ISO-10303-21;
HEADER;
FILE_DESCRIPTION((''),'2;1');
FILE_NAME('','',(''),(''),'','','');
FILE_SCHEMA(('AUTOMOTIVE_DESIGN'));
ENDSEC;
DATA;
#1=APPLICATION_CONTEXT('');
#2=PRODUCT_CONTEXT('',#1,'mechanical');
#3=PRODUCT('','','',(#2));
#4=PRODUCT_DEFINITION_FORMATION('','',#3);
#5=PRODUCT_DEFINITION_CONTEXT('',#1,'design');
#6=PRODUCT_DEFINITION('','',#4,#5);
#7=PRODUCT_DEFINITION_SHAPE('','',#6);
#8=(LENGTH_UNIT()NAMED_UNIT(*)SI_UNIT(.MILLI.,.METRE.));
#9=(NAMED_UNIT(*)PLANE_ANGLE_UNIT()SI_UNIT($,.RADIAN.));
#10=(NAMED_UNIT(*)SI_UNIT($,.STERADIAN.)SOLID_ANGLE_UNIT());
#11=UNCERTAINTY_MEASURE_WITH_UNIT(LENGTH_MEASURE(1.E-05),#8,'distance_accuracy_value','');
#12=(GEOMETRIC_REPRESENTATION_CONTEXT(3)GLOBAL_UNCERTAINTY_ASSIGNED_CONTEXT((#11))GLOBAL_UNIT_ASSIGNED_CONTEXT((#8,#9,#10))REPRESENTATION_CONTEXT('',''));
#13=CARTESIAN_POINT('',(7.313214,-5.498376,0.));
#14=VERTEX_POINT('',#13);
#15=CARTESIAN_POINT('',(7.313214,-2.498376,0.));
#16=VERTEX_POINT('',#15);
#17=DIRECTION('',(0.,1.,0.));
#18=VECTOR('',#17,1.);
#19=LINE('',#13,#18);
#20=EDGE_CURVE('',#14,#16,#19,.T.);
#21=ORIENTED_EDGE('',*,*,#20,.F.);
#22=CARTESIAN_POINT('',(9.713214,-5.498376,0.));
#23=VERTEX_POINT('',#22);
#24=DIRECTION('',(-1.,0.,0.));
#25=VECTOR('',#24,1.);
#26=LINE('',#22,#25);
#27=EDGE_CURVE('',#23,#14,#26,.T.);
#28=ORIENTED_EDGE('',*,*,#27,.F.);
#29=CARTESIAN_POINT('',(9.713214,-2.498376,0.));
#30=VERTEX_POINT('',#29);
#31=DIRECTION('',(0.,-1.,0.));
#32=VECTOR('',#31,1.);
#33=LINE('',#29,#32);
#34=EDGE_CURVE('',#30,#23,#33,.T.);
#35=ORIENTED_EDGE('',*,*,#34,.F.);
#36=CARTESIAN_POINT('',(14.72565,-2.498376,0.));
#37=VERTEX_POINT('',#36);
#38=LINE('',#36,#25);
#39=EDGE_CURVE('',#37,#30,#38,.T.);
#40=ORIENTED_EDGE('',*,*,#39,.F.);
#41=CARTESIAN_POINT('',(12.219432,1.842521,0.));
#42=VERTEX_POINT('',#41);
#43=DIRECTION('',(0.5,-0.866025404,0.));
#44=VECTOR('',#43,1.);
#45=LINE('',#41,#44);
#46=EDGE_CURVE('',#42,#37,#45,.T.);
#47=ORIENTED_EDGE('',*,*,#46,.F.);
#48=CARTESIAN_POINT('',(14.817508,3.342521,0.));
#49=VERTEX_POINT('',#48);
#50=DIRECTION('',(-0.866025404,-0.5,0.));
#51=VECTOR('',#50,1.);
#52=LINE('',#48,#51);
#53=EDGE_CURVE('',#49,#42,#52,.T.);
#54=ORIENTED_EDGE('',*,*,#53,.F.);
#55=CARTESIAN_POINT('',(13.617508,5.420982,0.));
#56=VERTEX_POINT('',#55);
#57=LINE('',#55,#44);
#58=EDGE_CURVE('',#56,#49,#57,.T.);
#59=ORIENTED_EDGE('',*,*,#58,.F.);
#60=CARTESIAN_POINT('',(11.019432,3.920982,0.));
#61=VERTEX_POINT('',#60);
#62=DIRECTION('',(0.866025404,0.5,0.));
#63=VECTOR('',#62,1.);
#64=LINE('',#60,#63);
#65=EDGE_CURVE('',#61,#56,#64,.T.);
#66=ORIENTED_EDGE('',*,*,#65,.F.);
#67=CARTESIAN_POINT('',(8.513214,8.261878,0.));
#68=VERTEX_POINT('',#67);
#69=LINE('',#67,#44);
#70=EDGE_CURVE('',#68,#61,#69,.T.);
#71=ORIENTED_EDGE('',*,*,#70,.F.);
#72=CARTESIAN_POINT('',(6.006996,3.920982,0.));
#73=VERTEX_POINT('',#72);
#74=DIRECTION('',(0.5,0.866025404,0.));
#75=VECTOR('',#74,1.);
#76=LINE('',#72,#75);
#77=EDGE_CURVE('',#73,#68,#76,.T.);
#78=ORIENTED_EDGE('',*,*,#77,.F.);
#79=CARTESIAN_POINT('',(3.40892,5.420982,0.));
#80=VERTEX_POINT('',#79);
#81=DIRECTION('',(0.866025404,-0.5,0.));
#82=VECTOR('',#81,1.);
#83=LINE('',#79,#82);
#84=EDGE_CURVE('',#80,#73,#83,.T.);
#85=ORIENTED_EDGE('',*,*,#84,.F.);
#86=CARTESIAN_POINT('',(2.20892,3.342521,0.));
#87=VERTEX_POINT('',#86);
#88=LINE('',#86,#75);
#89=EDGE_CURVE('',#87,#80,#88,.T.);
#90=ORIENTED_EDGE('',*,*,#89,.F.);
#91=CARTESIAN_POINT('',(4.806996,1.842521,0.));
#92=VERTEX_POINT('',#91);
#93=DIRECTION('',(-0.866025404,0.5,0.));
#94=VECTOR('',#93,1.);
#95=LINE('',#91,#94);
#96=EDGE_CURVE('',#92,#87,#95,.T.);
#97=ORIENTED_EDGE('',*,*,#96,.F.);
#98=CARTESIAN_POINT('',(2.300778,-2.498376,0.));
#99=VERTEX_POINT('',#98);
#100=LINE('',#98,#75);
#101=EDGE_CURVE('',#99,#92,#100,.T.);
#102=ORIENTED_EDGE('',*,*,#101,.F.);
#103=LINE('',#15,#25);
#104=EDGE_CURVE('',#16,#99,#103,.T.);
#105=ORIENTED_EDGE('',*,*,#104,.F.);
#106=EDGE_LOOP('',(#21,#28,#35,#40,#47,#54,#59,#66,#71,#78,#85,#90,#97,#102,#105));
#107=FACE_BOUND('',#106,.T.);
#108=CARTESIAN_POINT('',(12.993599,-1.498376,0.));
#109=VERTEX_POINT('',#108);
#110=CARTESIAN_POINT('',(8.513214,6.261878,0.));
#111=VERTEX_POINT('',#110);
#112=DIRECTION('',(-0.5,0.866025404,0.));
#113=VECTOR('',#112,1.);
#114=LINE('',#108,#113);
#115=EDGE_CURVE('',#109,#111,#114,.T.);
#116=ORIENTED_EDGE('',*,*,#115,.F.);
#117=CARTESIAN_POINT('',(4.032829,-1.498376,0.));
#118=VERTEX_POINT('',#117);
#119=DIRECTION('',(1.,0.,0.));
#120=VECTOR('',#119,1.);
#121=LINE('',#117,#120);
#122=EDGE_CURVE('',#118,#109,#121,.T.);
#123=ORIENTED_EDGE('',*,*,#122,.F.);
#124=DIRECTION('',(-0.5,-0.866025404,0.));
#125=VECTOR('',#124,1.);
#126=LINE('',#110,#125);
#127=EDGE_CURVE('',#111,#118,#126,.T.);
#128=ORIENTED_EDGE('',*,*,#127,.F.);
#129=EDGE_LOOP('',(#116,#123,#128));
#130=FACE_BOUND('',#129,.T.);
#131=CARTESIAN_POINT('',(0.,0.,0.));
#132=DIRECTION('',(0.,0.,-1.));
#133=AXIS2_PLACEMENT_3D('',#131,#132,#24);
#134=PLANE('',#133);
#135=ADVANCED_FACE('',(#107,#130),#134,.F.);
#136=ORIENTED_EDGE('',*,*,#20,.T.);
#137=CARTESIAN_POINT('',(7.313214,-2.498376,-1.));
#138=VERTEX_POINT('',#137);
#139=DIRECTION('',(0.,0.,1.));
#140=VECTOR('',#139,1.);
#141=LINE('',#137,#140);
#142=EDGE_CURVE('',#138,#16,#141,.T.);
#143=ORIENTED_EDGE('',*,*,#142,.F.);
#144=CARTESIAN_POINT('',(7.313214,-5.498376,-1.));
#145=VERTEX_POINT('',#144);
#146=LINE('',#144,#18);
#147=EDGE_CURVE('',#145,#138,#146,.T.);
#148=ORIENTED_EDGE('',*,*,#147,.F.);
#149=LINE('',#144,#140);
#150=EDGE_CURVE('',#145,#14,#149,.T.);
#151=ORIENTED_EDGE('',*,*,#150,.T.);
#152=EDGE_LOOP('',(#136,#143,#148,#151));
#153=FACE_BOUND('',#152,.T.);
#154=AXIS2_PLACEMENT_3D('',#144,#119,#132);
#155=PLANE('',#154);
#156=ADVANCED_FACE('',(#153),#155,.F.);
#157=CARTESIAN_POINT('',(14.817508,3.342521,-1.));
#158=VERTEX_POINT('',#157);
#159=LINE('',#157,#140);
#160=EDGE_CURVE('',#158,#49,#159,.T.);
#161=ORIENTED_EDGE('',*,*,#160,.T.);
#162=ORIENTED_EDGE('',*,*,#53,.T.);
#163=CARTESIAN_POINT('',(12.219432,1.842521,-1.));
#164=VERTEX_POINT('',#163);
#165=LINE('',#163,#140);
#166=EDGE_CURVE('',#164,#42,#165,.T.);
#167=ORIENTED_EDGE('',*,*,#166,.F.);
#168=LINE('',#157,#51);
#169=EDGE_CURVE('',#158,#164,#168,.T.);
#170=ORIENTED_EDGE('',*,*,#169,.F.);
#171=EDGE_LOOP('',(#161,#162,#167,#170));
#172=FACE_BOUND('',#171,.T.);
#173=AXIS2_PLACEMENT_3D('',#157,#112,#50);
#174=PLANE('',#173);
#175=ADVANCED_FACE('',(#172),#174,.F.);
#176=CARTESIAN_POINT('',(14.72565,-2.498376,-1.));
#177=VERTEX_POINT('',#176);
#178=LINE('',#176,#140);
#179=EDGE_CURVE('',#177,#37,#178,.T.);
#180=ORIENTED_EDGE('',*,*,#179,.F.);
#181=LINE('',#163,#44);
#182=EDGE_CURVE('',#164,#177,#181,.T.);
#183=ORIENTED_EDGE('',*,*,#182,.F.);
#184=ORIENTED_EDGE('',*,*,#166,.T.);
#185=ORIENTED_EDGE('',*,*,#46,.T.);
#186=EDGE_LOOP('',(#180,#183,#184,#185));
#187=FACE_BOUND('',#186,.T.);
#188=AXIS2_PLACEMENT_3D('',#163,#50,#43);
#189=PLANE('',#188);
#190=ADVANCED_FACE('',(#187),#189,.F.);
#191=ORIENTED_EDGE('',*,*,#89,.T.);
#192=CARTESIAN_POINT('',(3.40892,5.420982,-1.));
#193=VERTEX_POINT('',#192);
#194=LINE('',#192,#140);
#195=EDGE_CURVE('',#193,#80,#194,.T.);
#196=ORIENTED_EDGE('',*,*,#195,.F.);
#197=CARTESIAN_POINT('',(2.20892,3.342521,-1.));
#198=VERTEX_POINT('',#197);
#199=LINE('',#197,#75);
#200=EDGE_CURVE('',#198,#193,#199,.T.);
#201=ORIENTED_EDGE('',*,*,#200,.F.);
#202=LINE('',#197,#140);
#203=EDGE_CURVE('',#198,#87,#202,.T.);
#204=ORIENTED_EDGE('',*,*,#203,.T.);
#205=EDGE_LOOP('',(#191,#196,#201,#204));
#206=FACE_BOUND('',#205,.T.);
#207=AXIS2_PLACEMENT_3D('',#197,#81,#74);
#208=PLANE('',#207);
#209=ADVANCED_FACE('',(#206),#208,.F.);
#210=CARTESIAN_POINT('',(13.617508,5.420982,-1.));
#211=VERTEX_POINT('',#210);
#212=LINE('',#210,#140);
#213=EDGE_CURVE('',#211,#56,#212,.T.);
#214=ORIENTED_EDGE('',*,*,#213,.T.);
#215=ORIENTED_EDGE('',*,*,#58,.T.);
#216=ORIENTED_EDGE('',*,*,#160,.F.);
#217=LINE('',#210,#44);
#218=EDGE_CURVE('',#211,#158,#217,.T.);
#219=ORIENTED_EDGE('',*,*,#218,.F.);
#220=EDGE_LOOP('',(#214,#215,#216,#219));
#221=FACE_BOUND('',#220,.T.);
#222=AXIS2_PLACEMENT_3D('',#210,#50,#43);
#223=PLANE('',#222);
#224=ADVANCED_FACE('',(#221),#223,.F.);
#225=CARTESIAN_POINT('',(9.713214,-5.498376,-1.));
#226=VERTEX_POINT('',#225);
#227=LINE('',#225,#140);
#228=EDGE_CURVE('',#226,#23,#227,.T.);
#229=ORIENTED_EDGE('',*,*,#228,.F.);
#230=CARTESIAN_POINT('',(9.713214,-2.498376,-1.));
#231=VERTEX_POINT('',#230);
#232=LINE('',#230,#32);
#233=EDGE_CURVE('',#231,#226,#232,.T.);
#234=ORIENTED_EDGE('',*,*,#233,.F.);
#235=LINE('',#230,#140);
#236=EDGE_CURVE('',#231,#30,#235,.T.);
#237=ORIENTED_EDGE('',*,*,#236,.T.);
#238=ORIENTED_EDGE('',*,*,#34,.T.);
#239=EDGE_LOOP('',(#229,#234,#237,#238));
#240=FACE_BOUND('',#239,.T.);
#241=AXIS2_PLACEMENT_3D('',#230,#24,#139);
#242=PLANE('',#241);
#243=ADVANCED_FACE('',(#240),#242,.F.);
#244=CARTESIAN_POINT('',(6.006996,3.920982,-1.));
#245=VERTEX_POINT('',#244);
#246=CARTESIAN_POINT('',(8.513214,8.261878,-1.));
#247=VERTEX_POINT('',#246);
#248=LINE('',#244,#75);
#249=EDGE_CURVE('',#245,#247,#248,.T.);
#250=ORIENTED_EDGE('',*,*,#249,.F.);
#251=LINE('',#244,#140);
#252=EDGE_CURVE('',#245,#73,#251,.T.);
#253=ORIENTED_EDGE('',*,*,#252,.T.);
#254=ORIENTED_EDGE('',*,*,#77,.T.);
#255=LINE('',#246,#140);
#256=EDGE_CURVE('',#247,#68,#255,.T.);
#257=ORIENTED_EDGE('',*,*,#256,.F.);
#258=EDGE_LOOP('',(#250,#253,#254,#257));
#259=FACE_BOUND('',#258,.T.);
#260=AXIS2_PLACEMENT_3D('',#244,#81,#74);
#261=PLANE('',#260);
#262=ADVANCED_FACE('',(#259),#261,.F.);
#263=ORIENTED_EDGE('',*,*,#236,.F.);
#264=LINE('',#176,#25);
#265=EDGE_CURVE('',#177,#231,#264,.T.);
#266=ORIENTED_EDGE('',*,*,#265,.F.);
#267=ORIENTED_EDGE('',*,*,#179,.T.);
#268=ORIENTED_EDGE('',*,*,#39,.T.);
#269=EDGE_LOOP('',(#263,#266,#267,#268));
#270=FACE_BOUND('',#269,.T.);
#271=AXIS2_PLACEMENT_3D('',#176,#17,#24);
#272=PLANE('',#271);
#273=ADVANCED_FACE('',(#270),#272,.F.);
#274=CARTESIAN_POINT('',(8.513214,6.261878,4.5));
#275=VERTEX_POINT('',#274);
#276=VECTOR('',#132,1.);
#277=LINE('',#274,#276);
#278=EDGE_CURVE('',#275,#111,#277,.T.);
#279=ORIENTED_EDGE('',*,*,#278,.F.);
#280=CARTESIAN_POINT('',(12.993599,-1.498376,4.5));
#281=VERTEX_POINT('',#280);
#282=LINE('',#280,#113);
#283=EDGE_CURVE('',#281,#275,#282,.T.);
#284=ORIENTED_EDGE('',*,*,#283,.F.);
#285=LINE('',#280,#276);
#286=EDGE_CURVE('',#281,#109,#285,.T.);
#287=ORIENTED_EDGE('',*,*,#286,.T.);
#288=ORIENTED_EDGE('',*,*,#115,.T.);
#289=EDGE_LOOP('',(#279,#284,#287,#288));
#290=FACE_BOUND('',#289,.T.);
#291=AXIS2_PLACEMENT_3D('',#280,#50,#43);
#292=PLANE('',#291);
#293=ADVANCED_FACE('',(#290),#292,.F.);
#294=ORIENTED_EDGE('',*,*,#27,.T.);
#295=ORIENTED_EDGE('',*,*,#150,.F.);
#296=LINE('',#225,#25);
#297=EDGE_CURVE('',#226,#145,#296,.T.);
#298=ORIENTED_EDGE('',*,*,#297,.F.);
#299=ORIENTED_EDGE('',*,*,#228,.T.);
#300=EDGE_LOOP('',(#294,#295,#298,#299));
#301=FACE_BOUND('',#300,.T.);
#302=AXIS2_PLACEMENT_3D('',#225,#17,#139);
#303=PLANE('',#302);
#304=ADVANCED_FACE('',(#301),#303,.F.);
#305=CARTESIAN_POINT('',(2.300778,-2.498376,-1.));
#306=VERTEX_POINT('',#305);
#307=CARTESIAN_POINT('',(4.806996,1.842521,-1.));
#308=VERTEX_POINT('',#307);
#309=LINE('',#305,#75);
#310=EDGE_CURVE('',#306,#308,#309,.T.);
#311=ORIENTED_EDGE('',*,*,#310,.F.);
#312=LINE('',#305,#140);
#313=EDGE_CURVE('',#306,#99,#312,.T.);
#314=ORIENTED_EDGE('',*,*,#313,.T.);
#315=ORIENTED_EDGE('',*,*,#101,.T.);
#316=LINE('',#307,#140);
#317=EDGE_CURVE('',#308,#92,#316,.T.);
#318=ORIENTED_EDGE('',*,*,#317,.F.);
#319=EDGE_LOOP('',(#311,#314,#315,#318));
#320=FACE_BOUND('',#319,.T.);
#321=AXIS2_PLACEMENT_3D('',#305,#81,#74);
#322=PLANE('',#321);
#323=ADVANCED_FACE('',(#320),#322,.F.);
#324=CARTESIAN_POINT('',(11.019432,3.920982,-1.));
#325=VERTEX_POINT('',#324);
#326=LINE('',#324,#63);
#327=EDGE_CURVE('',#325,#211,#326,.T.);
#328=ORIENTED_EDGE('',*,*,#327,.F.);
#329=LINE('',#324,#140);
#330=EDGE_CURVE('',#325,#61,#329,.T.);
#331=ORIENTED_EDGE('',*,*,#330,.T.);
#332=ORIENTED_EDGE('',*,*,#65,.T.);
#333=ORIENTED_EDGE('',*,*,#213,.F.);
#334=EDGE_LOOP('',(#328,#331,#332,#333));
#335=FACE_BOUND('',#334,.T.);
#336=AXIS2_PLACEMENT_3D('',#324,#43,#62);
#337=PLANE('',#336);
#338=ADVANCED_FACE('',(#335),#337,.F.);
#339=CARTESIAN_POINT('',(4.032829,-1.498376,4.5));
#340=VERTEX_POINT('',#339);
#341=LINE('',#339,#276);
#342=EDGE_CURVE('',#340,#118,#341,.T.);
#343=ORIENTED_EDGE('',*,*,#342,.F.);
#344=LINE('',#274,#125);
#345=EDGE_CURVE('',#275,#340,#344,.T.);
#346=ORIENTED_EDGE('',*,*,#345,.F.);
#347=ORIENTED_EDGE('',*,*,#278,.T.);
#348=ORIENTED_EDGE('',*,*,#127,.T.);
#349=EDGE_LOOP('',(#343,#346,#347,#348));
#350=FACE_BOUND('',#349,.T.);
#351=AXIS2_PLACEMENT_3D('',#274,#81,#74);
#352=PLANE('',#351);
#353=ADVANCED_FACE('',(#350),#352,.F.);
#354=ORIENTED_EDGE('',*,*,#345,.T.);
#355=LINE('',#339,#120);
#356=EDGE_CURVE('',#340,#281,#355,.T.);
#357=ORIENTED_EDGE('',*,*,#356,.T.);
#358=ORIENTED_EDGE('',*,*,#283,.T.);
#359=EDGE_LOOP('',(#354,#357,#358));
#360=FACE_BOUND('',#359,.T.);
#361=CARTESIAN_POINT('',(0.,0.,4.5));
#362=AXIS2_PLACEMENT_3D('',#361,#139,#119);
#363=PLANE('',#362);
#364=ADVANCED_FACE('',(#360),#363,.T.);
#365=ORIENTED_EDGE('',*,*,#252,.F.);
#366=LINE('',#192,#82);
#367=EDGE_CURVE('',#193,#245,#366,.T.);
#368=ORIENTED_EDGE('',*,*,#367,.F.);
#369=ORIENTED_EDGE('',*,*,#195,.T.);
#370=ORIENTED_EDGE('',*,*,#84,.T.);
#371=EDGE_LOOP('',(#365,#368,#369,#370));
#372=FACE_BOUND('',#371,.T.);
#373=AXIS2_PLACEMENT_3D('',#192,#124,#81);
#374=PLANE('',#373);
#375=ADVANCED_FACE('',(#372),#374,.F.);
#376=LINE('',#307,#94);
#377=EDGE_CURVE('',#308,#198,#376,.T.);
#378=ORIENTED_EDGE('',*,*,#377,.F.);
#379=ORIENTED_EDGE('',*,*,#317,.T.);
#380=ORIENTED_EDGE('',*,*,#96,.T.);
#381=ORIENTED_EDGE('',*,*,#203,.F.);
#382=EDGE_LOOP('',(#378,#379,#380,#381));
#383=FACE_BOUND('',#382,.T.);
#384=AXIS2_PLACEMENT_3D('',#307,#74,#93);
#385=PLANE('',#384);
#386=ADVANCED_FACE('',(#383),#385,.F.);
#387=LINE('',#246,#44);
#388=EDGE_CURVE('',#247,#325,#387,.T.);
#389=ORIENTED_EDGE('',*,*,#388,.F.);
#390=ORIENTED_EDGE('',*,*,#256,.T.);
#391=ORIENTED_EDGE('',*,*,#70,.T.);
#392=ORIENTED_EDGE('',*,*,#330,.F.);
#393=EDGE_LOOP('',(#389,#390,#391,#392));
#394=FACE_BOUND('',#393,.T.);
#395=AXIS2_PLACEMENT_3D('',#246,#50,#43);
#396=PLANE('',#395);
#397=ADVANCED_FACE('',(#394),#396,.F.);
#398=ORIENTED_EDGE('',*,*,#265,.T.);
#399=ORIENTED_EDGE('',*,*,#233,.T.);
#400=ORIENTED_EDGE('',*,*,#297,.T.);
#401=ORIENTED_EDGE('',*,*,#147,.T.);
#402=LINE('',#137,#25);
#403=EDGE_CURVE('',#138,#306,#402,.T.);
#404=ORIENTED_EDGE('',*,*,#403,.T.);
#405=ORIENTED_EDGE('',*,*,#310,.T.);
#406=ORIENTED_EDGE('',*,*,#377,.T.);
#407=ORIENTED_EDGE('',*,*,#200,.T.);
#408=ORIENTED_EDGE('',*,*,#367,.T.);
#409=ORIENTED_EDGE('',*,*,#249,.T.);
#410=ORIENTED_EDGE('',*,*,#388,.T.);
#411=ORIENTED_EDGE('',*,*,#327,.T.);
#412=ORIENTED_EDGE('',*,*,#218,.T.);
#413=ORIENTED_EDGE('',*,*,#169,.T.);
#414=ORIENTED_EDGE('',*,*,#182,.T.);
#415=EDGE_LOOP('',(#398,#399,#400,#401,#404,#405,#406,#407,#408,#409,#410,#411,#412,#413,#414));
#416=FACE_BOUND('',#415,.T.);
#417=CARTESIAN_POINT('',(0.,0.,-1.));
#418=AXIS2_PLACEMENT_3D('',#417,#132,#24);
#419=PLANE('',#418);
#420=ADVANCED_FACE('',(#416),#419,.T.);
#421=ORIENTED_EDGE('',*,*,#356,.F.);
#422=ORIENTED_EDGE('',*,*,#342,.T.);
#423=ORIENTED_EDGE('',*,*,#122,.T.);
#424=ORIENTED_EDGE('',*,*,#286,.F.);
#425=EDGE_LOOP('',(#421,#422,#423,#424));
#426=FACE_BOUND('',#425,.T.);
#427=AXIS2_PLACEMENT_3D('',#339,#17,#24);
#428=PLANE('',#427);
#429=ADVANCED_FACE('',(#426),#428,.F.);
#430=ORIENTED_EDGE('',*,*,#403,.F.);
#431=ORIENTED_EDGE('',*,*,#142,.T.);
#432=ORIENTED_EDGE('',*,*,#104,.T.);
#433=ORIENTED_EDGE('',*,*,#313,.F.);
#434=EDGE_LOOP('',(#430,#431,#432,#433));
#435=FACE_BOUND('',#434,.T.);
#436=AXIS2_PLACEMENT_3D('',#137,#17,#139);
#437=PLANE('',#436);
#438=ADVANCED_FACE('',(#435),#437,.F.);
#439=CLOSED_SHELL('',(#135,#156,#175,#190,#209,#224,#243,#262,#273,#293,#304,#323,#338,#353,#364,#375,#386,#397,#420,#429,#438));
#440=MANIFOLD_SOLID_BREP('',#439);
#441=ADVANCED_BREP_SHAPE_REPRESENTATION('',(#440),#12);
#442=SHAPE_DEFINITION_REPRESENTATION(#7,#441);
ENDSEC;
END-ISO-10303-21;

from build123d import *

# Parameters (mm, degrees)
BOSS_EXTRUDE1_DEPTH = 4.5
BOSS_EXTRUDE2_DEPTH = 1


with BuildPart() as part:
    # Sketch1 → Boss-Extrude1 (new body)
    with BuildSketch(Plane.XY):
        Polygon((4.032829212, -1.498375708), (12.993598728, -1.498375708), (8.51321397, 6.26187833), align=None)
    extrude(amount=BOSS_EXTRUDE1_DEPTH)

    # Sketch2 → Boss-Extrude2 (add)
    with BuildSketch(Plane(origin=(0, 0, 0), x_dir=(-1, 0, 0), z_dir=(0, 0, -1))):
        Polygon((-14.817507964, 3.342520827), (-12.219431753, 1.842520827), (-14.725649535, -2.498375708), (-9.71321397, -2.498375708), (-9.71321397, -5.498375708), (-7.31321397, -5.498375708), (-7.31321397, -2.498375708), (-2.300778405, -2.498375708), (-4.806996187, 1.842520827), (-2.208919976, 3.342520827), (-3.408919976, 5.420981796), (-6.006996187, 3.920981796), (-8.51321397, 8.26187833), (-11.019431753, 3.920981796), (-13.617507964, 5.420981796), align=None)
    extrude(amount=BOSS_EXTRUDE2_DEPTH)


solid = part.part
